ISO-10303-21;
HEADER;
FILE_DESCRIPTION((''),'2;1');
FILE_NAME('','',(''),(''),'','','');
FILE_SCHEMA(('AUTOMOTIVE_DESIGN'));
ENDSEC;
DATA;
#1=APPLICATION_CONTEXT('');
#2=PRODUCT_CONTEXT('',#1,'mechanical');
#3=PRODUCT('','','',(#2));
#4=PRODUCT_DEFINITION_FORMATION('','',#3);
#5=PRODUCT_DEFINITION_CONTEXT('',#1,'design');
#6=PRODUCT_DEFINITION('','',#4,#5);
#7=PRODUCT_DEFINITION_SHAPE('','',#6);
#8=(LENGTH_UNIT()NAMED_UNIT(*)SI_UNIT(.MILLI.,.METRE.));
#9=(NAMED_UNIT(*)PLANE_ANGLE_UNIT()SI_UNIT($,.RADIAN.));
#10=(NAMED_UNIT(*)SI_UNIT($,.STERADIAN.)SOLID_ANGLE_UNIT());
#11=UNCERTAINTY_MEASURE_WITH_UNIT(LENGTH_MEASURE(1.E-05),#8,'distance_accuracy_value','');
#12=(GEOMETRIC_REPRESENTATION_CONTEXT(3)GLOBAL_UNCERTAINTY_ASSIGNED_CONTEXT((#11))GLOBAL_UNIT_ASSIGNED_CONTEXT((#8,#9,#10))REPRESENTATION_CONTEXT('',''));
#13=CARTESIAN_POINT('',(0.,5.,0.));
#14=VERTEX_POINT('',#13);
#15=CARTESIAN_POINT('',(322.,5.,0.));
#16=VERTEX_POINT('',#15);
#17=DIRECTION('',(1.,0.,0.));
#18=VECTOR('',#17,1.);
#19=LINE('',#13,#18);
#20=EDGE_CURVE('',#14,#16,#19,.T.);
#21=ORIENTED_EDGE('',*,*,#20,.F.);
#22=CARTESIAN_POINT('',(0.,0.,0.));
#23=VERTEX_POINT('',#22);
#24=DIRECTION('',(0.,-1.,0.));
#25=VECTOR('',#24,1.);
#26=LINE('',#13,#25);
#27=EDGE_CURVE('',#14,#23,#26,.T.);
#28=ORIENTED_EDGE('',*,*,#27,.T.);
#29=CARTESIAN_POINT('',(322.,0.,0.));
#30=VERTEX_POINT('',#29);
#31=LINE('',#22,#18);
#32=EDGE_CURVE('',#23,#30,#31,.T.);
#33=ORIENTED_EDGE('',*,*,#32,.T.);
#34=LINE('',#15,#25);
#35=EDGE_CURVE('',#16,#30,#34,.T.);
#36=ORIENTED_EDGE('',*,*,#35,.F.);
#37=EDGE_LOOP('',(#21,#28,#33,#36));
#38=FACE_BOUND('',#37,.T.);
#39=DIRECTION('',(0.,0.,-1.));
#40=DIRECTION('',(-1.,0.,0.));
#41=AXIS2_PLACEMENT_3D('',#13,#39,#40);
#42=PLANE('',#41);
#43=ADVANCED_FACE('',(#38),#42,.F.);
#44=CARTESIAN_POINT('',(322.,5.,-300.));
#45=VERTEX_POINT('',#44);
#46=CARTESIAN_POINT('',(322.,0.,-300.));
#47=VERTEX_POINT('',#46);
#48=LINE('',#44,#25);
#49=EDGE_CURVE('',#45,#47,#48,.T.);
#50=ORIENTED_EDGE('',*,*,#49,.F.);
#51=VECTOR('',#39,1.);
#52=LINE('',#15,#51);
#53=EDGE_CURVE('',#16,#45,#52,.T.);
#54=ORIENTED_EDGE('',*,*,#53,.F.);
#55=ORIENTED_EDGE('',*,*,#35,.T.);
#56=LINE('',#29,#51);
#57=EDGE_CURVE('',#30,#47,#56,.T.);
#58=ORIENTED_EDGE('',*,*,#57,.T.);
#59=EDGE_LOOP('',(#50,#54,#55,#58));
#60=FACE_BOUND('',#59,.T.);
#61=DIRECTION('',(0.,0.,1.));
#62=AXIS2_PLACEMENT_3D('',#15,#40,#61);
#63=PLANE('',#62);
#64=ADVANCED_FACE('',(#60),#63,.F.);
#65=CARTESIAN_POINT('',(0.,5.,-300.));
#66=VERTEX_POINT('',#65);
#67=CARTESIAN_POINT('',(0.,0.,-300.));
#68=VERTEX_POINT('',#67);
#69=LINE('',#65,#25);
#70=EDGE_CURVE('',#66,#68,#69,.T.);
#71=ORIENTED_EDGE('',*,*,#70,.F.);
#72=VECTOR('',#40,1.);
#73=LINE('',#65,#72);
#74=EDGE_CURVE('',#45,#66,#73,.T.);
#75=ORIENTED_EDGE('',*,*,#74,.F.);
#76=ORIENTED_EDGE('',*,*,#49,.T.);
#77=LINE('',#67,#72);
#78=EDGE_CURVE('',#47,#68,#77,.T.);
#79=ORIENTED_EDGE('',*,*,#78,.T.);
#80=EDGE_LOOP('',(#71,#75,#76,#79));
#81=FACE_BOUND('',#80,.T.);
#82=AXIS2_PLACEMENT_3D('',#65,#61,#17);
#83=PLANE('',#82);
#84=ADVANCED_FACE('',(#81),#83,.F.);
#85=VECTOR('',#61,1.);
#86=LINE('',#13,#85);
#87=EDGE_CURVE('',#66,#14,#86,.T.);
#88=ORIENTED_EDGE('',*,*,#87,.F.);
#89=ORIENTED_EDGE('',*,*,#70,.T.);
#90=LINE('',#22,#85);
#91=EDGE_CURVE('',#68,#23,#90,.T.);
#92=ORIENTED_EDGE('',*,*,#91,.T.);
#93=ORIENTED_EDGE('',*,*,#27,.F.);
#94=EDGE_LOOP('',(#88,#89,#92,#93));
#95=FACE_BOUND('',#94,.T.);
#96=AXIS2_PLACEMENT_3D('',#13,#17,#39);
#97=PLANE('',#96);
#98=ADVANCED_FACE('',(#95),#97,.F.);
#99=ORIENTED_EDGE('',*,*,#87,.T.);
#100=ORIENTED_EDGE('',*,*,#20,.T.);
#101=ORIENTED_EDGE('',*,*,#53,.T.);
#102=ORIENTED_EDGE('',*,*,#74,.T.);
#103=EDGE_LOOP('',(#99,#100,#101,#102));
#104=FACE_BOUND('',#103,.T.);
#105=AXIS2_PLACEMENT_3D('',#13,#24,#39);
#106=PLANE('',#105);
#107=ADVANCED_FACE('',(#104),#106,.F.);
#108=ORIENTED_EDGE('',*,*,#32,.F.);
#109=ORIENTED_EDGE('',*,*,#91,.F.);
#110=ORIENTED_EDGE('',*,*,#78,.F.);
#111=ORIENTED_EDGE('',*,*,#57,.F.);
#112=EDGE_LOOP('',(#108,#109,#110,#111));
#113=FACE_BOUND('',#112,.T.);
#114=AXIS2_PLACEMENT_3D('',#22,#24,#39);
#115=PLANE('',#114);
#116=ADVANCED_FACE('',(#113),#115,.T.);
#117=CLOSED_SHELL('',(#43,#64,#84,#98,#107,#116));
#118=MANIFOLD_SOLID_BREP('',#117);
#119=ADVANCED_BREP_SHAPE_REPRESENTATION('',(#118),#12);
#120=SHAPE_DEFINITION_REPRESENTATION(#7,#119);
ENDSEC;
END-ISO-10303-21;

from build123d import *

# Parameters (mm, degrees)
SKETCH_1_W      = 322
SKETCH_1_H      = 300
EXTRUDE_1_DEPTH = 5


with BuildPart() as part:
    # 스케치1 → 보스-돌출1 (new body)
    with BuildSketch(Plane(origin=(0, 0, 0), x_dir=(1, 0, 0), z_dir=(0, 1, 0))):
        with Locations((161, 150)):
            Rectangle(SKETCH_1_W, SKETCH_1_H)
    extrude(amount=EXTRUDE_1_DEPTH)


solid = part.part
